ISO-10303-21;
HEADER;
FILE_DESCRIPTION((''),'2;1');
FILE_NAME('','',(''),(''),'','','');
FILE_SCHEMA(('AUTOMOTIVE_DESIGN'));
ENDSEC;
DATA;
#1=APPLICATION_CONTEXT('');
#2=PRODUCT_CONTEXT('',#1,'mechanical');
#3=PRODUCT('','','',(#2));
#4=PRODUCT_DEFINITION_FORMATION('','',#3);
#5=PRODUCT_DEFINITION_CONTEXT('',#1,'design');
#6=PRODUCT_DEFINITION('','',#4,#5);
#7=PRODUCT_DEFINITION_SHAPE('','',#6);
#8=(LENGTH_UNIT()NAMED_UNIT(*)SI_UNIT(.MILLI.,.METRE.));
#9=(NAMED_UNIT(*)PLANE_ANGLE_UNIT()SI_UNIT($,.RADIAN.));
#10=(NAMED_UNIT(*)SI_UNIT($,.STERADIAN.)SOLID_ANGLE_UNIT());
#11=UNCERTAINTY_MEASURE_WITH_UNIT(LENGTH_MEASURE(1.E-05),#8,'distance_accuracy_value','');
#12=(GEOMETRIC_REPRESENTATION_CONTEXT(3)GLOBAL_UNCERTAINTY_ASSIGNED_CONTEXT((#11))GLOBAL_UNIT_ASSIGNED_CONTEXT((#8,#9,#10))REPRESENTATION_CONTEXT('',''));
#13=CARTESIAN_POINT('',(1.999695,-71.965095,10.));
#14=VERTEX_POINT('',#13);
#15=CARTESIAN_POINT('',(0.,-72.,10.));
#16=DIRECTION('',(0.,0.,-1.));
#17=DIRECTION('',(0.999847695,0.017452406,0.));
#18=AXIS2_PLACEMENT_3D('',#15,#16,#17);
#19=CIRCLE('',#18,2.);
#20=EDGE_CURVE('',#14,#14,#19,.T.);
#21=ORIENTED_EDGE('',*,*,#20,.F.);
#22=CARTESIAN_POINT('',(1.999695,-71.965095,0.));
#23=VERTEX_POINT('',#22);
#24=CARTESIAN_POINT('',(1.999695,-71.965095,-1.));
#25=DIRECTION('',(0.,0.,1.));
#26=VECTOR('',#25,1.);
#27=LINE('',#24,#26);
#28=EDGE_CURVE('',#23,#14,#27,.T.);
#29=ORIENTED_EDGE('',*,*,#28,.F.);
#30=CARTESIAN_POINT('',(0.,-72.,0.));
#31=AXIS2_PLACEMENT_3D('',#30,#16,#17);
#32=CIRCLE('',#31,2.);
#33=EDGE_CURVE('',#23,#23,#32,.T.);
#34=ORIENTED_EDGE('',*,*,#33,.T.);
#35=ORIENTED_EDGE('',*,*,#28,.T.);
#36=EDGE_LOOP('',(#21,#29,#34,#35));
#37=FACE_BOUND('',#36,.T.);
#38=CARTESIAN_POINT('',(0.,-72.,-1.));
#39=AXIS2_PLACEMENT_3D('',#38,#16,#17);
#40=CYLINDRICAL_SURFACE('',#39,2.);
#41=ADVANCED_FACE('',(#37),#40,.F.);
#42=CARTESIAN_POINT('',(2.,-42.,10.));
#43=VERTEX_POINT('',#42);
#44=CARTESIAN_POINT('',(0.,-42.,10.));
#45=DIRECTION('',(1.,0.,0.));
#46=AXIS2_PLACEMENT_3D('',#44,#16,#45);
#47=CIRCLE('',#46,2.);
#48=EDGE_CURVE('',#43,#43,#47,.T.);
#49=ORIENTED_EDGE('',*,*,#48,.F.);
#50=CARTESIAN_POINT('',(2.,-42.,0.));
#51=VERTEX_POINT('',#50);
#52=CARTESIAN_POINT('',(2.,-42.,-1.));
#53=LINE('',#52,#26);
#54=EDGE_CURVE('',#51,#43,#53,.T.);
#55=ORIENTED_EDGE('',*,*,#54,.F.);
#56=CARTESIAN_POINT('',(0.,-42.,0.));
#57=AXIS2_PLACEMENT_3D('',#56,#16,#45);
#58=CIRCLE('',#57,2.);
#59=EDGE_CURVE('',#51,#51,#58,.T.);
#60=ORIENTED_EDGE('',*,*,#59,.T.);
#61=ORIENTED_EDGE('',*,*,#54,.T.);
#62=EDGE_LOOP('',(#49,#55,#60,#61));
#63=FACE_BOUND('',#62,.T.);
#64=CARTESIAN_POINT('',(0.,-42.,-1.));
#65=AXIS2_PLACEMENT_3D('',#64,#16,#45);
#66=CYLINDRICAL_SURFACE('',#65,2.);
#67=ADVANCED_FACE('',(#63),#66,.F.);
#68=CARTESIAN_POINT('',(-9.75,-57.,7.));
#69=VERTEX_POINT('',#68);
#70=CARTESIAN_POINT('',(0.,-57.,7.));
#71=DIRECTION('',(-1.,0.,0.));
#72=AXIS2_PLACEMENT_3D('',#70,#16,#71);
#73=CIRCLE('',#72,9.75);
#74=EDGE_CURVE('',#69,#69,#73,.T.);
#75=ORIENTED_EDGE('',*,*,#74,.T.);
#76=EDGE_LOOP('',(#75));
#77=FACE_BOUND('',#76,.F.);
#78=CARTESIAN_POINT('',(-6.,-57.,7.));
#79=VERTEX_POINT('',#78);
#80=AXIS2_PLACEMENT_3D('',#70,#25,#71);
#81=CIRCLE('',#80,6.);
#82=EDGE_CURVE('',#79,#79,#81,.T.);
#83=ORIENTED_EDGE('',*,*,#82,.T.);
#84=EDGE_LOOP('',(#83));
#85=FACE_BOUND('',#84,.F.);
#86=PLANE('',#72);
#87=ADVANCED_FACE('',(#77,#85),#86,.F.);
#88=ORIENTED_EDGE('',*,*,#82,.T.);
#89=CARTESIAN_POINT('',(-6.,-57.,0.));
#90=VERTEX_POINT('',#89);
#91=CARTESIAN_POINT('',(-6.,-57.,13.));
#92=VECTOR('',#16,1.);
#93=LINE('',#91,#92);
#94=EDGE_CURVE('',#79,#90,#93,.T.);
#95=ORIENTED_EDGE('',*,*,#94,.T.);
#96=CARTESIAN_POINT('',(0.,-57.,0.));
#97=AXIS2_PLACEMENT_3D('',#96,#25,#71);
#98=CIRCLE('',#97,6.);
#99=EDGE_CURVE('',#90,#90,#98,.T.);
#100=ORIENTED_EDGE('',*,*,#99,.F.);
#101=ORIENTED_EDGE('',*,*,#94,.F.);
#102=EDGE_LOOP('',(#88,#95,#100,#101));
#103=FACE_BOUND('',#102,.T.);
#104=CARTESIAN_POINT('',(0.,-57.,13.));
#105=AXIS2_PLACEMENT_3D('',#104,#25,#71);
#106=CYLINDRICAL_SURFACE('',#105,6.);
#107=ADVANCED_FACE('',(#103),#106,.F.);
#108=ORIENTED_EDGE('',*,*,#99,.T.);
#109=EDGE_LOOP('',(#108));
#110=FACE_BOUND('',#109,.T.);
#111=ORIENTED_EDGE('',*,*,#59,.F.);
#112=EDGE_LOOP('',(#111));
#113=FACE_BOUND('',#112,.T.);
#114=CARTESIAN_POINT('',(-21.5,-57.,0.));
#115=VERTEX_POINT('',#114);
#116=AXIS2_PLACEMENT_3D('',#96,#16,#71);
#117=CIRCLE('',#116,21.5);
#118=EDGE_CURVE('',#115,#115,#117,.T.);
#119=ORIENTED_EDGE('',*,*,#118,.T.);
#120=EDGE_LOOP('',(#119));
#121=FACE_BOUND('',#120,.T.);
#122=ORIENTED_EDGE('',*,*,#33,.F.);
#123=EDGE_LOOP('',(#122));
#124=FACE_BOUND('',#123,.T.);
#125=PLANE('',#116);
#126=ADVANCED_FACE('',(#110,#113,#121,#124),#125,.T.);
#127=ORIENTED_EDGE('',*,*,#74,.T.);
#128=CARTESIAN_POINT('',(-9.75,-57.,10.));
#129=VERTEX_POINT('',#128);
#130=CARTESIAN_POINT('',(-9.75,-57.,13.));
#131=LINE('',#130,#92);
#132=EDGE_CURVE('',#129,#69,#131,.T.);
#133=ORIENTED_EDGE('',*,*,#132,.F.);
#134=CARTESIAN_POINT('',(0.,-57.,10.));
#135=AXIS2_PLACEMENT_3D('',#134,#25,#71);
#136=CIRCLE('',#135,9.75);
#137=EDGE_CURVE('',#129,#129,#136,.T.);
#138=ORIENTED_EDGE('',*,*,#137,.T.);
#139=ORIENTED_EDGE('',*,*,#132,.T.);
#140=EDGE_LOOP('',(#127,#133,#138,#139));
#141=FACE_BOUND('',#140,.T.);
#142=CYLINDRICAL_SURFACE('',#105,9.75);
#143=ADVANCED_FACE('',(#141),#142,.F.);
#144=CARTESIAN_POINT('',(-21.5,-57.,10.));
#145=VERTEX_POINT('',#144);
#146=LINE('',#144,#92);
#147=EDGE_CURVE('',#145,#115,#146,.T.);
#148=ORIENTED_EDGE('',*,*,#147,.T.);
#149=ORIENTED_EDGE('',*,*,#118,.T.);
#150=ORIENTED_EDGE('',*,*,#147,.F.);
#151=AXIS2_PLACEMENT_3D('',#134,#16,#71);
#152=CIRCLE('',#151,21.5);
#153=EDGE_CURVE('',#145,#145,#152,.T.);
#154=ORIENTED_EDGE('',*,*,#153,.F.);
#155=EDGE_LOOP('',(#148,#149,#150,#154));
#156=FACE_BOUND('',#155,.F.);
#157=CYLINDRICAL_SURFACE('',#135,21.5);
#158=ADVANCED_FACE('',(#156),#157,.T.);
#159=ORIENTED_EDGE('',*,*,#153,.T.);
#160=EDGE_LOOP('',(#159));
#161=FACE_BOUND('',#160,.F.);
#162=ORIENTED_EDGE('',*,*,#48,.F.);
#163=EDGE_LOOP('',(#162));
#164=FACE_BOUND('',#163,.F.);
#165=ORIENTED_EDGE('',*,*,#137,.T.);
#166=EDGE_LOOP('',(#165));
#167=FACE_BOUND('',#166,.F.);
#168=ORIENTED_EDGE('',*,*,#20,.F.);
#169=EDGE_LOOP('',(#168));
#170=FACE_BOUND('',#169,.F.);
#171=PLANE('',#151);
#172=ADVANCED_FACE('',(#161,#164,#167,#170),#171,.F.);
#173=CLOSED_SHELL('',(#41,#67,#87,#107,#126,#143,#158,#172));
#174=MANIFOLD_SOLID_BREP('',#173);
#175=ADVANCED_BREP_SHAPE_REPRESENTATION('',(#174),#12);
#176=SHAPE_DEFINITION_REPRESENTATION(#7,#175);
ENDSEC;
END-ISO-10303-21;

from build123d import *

# Parameters (mm, degrees)
CYLINDER010_R               = 2
CYLINDER010_DEPTH           = 15
CYLINDER011_R               = 2
CYLINDER011_DEPTH           = 15
CYLINDER011_PLACEMENT_ANGLE = 1
CYLINDER009_R               = 6
CYLINDER009_DEPTH           = 20
CYLINDER007_R               = 9.75
CYLINDER007_DEPTH           = 6
CYLINDER003_R               = 21.5
CYLINDER003_DEPTH           = 10
CUT005_PLACEMENT_ANGLE      = 180


with BuildPart() as cylinder010:
    # Cylinder010 → Cylinder010 (new body)
    with BuildSketch(Plane(origin=(0, 15, -1), x_dir=(1, 0, 0), z_dir=(0, 0, 1))):
        Circle(CYLINDER010_R)
    extrude(amount=CYLINDER010_DEPTH)


with BuildPart() as fusion003:
    # Cylinder011 → Cylinder011 (new body)
    with BuildSketch(Plane.XY):
        Circle(CYLINDER011_R)
    extrude(amount=CYLINDER011_DEPTH)


with BuildPart() as fusion003_1:
    # Cylinder011 placement: moved
    add(fusion003.part.moved(Location((0, -15, -1))).rotate(Axis((0, -15, -1), (0, 0, 1)), CYLINDER011_PLACEMENT_ANGLE))

    # Fusion003: union Cylinder010
    add(cylinder010.part)


with BuildPart() as cylinder009:
    # Cylinder009 → Cylinder009 (new body)
    with BuildSketch(Plane.XY):
        Circle(CYLINDER009_R)
    extrude(amount=CYLINDER009_DEPTH)


with BuildPart() as cylinder007:
    # Cylinder007 → Cylinder007 (new body)
    with BuildSketch(Plane.XY):
        Circle(CYLINDER007_R)
    extrude(amount=CYLINDER007_DEPTH)


with BuildPart() as small_bearing_ring001:
    # Cylinder003 → Cylinder003 (new body)
    with BuildSketch(Plane.XY.offset(3)):
        Circle(CYLINDER003_R)
    extrude(amount=CYLINDER003_DEPTH)

    # Cut006: cut Cylinder007
    add(cylinder007.part, mode=Mode.SUBTRACT)

    # Cut005: cut Cylinder009
    add(cylinder009.part, mode=Mode.SUBTRACT)


with BuildPart() as small_bearing_ring001_1:
    # Cut005 placement: moved
    add(small_bearing_ring001.part.moved(Location((0, 0, 13))).rotate(Axis((0, 0, 13), (0, 1, 0)), CUT005_PLACEMENT_ANGLE))

    # Cut008: cut Fusion003
    add(fusion003_1.part, mode=Mode.SUBTRACT)


with BuildPart() as small_bearing_ring001_2:
    # Cut008 placement: moved
    add(small_bearing_ring001_1.part.moved(Location((0, -57, 0))))


solid = small_bearing_ring001_2.part
